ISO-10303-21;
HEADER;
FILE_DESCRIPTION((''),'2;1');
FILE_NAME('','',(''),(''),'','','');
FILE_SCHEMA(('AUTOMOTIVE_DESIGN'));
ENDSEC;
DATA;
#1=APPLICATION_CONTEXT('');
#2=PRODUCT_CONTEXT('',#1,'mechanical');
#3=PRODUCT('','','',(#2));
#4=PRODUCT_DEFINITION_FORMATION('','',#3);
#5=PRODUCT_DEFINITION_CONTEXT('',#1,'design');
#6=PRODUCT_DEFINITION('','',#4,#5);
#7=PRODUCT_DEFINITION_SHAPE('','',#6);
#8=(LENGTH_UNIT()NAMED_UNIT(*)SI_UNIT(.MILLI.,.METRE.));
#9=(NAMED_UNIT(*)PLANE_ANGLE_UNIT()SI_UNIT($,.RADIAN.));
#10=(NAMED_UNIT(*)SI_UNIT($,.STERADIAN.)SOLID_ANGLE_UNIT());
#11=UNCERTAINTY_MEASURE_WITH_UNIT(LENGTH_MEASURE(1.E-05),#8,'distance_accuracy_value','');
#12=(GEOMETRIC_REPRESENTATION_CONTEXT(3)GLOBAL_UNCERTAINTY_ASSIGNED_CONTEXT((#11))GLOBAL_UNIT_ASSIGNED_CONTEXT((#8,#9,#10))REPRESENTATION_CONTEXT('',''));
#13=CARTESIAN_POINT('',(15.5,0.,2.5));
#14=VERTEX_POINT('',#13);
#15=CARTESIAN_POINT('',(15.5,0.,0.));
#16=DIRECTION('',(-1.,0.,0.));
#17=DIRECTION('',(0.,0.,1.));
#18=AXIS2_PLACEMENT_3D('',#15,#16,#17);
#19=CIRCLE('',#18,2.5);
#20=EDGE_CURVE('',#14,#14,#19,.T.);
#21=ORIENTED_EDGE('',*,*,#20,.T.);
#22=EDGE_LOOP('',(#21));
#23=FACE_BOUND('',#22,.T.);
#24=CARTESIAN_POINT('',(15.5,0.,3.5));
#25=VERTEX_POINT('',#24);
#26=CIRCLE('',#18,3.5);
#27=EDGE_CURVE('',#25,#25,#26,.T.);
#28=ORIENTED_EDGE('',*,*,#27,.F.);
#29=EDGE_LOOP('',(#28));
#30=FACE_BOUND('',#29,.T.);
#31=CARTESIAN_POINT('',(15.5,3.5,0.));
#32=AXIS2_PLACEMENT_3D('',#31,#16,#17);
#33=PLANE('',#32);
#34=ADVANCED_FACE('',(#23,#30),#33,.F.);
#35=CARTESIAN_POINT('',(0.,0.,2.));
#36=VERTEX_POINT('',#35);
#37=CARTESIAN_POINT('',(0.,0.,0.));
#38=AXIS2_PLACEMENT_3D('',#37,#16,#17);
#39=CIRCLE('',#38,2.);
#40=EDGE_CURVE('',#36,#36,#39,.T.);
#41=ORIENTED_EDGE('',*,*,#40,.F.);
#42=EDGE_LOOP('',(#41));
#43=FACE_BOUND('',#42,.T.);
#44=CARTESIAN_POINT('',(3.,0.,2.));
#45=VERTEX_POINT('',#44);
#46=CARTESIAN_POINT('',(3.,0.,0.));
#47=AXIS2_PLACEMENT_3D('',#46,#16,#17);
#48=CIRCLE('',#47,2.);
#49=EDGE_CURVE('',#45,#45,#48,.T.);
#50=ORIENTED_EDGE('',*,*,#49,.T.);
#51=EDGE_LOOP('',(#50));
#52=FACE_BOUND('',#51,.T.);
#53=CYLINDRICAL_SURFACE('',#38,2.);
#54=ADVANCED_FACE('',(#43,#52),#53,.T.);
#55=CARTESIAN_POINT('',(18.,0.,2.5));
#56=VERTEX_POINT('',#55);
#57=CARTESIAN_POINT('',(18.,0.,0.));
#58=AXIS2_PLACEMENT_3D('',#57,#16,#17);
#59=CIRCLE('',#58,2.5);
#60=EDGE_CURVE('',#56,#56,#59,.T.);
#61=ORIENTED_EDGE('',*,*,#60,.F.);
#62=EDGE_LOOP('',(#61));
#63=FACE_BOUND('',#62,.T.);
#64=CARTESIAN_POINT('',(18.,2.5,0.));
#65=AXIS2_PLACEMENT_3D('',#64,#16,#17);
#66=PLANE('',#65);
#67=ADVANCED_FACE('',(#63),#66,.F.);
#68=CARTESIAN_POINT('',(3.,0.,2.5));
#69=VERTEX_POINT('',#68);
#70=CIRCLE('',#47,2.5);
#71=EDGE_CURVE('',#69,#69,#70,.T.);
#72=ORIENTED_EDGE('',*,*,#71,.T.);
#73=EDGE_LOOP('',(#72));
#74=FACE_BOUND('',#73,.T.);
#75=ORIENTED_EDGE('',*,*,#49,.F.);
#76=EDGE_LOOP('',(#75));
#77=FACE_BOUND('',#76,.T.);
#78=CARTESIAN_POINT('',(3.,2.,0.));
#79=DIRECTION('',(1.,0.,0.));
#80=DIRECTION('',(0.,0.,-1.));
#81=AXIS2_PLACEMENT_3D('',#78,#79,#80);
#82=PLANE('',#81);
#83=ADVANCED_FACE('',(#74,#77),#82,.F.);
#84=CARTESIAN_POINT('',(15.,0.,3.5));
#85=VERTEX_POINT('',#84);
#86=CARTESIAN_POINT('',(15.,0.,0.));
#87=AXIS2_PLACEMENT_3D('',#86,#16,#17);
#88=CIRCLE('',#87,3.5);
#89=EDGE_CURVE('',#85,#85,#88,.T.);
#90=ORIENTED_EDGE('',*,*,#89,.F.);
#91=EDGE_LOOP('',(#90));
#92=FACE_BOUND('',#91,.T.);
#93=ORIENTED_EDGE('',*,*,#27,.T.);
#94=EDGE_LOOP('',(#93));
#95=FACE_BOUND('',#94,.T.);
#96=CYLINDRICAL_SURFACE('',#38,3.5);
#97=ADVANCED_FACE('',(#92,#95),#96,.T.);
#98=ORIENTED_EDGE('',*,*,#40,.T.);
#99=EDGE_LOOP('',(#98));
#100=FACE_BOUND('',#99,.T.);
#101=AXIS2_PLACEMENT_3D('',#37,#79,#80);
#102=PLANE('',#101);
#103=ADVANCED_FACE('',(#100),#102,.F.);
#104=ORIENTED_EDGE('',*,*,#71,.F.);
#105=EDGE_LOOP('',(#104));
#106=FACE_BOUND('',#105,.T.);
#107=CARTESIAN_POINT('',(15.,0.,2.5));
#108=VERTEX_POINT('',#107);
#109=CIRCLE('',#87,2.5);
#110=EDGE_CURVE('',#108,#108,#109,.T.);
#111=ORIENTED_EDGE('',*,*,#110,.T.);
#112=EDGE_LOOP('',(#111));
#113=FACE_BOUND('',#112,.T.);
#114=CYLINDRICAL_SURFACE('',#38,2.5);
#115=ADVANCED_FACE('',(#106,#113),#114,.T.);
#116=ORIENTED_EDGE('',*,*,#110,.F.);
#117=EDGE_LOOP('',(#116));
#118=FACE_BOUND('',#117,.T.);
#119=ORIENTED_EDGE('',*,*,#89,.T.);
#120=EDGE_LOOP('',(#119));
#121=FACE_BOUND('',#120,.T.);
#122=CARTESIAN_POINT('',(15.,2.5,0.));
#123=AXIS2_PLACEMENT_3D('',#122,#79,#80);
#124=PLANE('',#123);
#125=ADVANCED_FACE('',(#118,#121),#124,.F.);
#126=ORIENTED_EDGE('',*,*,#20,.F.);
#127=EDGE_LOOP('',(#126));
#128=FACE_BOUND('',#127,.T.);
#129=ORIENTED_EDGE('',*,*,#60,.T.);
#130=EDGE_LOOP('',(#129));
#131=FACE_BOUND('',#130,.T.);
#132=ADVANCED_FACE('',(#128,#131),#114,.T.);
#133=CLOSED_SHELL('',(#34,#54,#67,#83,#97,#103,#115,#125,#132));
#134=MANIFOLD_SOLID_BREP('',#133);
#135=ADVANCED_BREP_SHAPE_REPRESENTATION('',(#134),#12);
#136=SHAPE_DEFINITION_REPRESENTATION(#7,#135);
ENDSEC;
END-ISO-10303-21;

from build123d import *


with BuildPart() as part:
    # Skizze1 → Rotation1 (revolve)
    with BuildSketch(Plane.XY):
        Polygon((0, 0), (0, 2), (3, 2), (3, 2.5), (15, 2.5), (15, 3.5), (15.5, 3.5), (15.5, 2.5), (18, 2.5), (18, 0), align=None)
    revolve(axis=Axis((0, 0, 0), (1, 0, 0)))


solid = part.part
